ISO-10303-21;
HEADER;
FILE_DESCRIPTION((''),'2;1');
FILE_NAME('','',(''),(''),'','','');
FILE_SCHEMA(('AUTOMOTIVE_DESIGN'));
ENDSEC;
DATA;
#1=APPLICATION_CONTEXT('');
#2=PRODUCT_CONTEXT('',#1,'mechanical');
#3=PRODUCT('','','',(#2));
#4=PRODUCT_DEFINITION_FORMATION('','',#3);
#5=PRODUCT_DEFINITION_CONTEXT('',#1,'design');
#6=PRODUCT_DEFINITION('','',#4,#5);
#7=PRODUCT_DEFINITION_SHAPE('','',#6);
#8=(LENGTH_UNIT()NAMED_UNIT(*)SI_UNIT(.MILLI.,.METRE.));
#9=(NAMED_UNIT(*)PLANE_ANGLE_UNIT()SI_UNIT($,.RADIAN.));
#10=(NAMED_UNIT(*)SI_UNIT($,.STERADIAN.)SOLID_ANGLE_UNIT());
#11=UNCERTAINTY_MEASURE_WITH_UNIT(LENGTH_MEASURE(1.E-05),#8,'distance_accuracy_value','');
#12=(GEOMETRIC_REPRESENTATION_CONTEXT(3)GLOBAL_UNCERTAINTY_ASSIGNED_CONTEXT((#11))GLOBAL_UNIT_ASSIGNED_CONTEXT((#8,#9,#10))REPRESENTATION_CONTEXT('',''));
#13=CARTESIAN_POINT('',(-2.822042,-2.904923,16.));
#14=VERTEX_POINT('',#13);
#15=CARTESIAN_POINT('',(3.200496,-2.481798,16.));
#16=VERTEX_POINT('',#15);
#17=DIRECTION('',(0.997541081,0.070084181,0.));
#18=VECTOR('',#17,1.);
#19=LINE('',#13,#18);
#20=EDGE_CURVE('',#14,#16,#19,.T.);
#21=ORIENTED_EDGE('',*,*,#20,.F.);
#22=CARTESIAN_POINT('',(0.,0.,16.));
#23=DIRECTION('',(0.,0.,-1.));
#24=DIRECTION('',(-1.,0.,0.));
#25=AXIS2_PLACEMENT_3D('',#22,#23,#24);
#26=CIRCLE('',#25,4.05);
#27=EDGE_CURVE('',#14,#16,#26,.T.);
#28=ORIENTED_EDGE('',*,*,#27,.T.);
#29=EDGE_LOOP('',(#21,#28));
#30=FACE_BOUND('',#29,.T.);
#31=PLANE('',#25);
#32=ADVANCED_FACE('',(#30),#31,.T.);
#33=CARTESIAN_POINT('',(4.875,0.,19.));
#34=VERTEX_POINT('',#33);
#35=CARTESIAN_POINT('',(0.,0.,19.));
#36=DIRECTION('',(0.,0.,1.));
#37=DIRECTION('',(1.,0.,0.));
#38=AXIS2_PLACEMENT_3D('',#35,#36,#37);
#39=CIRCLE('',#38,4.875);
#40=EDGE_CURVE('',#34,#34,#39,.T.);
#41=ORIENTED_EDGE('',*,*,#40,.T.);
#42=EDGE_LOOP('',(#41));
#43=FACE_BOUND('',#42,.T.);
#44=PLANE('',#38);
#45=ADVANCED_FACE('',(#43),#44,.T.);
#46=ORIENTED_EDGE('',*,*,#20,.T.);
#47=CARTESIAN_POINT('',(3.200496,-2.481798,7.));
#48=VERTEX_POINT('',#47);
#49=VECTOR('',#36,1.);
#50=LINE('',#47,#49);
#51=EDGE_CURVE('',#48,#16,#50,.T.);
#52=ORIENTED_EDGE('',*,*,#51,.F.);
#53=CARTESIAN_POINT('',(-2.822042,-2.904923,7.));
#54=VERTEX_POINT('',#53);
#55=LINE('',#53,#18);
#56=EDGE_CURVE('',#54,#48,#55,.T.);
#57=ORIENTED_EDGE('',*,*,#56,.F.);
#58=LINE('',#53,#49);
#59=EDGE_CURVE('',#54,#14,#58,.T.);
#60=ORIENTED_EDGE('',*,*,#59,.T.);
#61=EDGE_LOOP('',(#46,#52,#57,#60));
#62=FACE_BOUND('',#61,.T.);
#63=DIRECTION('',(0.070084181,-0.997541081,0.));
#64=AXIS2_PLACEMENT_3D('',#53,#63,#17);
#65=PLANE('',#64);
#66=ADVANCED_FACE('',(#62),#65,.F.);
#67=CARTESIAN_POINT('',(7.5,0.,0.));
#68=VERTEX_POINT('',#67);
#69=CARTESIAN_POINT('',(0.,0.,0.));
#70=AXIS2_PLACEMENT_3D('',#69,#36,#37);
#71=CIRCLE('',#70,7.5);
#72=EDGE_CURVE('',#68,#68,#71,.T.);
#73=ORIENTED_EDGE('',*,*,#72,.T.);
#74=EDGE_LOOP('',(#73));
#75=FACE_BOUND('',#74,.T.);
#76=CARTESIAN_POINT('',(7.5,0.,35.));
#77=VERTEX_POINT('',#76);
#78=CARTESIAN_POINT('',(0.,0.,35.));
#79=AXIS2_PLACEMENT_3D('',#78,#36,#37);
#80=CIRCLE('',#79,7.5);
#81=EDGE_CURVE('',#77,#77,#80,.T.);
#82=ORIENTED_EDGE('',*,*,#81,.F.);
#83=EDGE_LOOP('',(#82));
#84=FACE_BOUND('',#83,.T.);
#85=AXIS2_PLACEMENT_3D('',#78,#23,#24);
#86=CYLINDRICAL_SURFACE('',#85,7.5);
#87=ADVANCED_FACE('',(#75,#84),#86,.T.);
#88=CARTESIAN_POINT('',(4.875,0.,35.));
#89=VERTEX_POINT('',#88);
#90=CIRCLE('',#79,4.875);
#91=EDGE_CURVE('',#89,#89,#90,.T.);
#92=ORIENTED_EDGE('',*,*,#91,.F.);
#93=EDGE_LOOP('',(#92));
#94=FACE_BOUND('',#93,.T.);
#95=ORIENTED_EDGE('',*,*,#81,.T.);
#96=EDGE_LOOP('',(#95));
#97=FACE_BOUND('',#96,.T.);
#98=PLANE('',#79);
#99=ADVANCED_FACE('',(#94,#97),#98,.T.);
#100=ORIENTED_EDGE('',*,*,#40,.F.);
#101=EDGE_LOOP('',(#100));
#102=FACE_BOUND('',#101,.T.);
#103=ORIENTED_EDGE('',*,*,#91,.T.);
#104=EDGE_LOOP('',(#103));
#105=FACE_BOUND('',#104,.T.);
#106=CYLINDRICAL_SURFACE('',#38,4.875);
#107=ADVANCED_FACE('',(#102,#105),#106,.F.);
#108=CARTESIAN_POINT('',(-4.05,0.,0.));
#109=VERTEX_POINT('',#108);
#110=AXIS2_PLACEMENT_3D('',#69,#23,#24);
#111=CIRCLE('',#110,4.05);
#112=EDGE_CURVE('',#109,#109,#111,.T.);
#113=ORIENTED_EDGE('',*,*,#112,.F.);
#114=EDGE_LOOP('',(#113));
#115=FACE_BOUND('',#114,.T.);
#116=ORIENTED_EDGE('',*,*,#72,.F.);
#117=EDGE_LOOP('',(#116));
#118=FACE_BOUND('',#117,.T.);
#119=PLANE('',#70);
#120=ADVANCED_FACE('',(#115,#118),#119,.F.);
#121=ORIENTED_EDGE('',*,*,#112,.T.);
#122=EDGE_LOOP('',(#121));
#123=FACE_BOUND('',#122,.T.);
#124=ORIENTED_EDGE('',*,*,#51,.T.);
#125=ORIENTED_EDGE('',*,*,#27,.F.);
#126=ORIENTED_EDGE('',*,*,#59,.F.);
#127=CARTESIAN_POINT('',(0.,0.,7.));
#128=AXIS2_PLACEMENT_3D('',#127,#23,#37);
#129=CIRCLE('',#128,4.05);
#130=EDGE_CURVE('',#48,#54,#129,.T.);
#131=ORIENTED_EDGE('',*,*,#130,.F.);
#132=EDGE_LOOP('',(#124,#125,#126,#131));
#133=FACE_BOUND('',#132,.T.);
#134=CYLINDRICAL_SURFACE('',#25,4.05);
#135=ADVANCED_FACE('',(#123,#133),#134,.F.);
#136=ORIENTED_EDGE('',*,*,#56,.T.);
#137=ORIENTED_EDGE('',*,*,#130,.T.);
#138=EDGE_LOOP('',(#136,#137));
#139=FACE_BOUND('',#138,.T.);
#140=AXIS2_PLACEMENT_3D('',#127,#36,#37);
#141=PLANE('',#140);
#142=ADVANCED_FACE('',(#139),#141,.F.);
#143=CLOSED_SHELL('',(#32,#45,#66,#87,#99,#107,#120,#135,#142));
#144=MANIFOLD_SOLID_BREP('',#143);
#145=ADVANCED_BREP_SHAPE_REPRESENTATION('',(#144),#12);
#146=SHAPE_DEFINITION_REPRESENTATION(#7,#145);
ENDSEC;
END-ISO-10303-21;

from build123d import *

# Parameters (mm, degrees)
ESQUISSE1_R             = 7.5
BOSS_EXTRU_1_DEPTH      = 35
ESQUISSE2_R             = 4.875
ENL_V_MAT_EXTRU_1_DEPTH = 16
ESQUISSE3_R             = 4.05
ENL_V_MAT_EXTRU_2_DEPTH = 16
BOSS_EXTRU_3_START      = 9
BOSS_EXTRU_3_DEPTH      = 9


with BuildPart() as part:
    # Esquisse1 → Boss.-Extru.1 (new body)
    with BuildSketch(Plane(origin=(0, 0, 0), x_dir=(0, 1, 0), z_dir=(0, 0, 1))):
        with Locations(Location((0, 0, 0), (0, 0, 270))):
            Circle(ESQUISSE1_R)
    extrude(amount=BOSS_EXTRU_1_DEPTH)

    # Esquisse2 → Enlèv. mat.-Extru.1 (cut)
    with BuildSketch(Plane.XY.offset(35)):
        Circle(ESQUISSE2_R)
    extrude(amount=-ENL_V_MAT_EXTRU_1_DEPTH, mode=Mode.SUBTRACT)

    # Esquisse3 → Enlèv. mat.-Extru.2 (cut)
    with BuildSketch(Plane(origin=(0, 0, 0), x_dir=(1, 0, 0), z_dir=(0, 0, -1))):
        with Locations(Location((0, 0, 0), (0, 0, 180))):
            Circle(ESQUISSE3_R)
    extrude(amount=-ENL_V_MAT_EXTRU_2_DEPTH, mode=Mode.SUBTRACT)

    # Esquisse5 → Boss.-Extru.3 (add)
    with BuildSketch(Plane(origin=(0, 0, 16), x_dir=(1, 0, 0), z_dir=(0, 0, -1)).offset(BOSS_EXTRU_3_START)):
        with BuildLine():
            Line((-2.822041762, 2.904923458), (3.200496338, 2.481798378))
            ThreePointArc((3.200496338, 2.481798378), (0.283840932, 4.040041377), (-2.822041762, 2.904923458))
        make_face()
    extrude(amount=-BOSS_EXTRU_3_DEPTH)


solid = part.part
